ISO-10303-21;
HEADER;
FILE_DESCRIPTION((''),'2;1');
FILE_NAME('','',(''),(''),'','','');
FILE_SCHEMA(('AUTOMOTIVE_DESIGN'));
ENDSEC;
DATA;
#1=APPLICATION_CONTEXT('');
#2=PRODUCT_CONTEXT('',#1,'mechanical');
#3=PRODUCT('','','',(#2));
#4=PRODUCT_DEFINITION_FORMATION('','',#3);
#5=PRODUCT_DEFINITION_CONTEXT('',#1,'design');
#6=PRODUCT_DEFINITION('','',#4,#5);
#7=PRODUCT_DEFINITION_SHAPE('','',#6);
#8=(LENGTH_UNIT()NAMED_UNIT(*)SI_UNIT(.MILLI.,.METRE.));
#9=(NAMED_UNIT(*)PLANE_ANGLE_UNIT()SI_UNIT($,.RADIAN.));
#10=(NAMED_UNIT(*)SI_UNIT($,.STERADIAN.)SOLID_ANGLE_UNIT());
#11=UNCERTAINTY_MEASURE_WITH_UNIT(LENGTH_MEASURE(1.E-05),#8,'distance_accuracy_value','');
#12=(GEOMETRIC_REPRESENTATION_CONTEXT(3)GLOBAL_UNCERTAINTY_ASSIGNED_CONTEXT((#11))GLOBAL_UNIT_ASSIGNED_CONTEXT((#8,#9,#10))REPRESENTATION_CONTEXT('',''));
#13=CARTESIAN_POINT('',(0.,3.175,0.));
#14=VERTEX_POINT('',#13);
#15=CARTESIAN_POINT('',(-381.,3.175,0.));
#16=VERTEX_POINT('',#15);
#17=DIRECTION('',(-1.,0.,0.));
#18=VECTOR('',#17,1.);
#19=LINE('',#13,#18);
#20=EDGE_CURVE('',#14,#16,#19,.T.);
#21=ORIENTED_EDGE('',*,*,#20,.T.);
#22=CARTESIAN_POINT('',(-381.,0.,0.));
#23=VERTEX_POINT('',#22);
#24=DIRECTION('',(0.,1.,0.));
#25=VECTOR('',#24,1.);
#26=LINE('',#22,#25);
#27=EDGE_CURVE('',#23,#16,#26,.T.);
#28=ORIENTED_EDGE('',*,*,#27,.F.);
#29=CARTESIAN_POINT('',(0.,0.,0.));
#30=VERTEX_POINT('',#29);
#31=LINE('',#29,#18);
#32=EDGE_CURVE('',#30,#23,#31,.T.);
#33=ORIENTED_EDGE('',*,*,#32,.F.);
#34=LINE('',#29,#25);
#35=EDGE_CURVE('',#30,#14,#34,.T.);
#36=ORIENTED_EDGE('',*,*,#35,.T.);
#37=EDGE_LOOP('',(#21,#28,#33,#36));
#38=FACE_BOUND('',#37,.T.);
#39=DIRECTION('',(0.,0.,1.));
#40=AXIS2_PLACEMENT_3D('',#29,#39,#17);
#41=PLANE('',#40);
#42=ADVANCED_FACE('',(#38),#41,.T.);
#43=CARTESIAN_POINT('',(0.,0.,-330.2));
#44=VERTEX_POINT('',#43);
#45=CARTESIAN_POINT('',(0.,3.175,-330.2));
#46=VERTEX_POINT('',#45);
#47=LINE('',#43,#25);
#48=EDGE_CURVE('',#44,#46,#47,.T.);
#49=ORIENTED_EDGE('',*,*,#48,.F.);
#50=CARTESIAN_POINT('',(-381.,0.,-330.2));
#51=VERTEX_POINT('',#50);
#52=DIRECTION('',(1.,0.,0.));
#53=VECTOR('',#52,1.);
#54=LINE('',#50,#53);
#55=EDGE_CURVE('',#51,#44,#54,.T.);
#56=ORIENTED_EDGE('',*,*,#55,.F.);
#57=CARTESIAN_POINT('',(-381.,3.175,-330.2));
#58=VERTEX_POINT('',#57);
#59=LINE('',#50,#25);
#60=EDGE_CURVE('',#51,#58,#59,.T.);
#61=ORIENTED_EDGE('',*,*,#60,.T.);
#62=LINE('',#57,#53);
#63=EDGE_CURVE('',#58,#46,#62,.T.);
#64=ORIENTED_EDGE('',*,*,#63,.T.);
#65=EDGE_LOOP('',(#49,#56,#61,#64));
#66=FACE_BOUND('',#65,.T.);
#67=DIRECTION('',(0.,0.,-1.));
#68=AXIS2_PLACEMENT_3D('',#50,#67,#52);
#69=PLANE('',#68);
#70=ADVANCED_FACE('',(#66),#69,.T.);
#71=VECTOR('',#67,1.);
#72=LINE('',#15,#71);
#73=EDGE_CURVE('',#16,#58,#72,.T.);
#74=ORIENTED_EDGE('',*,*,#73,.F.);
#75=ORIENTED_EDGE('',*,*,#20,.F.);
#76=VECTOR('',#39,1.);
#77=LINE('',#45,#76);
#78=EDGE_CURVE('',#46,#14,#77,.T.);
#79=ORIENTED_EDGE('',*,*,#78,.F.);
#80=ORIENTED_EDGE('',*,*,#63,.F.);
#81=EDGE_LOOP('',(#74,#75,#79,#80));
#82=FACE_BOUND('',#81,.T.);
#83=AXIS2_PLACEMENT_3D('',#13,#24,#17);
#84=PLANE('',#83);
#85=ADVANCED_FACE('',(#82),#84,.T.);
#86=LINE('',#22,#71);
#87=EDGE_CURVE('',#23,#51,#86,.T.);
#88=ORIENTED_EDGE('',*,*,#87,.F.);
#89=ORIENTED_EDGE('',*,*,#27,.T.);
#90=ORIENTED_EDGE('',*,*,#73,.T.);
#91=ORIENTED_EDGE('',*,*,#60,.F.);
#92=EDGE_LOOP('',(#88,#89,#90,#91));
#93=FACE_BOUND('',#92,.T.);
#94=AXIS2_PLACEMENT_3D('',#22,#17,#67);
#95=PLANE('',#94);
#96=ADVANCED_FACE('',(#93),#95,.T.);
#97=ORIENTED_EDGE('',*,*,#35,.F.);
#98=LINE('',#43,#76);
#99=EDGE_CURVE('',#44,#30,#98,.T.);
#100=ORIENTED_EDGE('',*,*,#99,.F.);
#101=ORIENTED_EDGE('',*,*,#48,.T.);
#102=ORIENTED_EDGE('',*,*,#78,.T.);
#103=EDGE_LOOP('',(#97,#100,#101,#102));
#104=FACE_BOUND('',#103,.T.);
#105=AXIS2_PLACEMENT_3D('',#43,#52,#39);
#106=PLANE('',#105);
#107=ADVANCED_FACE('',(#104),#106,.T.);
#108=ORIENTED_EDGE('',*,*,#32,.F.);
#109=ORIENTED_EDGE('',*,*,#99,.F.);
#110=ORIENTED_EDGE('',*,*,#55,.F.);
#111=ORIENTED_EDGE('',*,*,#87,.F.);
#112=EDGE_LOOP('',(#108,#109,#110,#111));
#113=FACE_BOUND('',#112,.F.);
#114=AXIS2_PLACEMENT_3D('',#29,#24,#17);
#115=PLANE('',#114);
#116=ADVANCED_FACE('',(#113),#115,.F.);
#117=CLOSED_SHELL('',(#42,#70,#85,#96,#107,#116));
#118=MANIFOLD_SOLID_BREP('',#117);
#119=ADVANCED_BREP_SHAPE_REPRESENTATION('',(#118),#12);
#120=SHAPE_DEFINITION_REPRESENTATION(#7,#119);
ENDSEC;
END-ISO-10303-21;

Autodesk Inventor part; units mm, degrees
ref_plane "YZ Plane" through (0, 0, 0) normal (1, 0, 0) x (0, 1, 0)
ref_plane "XZ Plane" through (0, 0, 0) normal (0, 1, 0) x (-1, 0, 0)
ref_plane "XY Plane" through (0, 0, 0) normal (0, 0, 1) x (1, 0, 0)
sketch "Sketch1" plane through (0, 0, 0) normal (0, 1, 0) x (-1, 0, 0)
  line L0 (0, 0) -> (381, 0)
  line L1 (381, 0) -> (381, -330.2)
  line L2 (381, -330.2) -> (0, -330.2)
  line L3 (0, -330.2) -> (0, 0)
  dimension "d0" = 381
  dimension "d1" = 330.2
extrude "Extrusion1" add sketch "Sketch1" along normal blind 3.175
properties part number "hdpe_sheet_13x15inch"
